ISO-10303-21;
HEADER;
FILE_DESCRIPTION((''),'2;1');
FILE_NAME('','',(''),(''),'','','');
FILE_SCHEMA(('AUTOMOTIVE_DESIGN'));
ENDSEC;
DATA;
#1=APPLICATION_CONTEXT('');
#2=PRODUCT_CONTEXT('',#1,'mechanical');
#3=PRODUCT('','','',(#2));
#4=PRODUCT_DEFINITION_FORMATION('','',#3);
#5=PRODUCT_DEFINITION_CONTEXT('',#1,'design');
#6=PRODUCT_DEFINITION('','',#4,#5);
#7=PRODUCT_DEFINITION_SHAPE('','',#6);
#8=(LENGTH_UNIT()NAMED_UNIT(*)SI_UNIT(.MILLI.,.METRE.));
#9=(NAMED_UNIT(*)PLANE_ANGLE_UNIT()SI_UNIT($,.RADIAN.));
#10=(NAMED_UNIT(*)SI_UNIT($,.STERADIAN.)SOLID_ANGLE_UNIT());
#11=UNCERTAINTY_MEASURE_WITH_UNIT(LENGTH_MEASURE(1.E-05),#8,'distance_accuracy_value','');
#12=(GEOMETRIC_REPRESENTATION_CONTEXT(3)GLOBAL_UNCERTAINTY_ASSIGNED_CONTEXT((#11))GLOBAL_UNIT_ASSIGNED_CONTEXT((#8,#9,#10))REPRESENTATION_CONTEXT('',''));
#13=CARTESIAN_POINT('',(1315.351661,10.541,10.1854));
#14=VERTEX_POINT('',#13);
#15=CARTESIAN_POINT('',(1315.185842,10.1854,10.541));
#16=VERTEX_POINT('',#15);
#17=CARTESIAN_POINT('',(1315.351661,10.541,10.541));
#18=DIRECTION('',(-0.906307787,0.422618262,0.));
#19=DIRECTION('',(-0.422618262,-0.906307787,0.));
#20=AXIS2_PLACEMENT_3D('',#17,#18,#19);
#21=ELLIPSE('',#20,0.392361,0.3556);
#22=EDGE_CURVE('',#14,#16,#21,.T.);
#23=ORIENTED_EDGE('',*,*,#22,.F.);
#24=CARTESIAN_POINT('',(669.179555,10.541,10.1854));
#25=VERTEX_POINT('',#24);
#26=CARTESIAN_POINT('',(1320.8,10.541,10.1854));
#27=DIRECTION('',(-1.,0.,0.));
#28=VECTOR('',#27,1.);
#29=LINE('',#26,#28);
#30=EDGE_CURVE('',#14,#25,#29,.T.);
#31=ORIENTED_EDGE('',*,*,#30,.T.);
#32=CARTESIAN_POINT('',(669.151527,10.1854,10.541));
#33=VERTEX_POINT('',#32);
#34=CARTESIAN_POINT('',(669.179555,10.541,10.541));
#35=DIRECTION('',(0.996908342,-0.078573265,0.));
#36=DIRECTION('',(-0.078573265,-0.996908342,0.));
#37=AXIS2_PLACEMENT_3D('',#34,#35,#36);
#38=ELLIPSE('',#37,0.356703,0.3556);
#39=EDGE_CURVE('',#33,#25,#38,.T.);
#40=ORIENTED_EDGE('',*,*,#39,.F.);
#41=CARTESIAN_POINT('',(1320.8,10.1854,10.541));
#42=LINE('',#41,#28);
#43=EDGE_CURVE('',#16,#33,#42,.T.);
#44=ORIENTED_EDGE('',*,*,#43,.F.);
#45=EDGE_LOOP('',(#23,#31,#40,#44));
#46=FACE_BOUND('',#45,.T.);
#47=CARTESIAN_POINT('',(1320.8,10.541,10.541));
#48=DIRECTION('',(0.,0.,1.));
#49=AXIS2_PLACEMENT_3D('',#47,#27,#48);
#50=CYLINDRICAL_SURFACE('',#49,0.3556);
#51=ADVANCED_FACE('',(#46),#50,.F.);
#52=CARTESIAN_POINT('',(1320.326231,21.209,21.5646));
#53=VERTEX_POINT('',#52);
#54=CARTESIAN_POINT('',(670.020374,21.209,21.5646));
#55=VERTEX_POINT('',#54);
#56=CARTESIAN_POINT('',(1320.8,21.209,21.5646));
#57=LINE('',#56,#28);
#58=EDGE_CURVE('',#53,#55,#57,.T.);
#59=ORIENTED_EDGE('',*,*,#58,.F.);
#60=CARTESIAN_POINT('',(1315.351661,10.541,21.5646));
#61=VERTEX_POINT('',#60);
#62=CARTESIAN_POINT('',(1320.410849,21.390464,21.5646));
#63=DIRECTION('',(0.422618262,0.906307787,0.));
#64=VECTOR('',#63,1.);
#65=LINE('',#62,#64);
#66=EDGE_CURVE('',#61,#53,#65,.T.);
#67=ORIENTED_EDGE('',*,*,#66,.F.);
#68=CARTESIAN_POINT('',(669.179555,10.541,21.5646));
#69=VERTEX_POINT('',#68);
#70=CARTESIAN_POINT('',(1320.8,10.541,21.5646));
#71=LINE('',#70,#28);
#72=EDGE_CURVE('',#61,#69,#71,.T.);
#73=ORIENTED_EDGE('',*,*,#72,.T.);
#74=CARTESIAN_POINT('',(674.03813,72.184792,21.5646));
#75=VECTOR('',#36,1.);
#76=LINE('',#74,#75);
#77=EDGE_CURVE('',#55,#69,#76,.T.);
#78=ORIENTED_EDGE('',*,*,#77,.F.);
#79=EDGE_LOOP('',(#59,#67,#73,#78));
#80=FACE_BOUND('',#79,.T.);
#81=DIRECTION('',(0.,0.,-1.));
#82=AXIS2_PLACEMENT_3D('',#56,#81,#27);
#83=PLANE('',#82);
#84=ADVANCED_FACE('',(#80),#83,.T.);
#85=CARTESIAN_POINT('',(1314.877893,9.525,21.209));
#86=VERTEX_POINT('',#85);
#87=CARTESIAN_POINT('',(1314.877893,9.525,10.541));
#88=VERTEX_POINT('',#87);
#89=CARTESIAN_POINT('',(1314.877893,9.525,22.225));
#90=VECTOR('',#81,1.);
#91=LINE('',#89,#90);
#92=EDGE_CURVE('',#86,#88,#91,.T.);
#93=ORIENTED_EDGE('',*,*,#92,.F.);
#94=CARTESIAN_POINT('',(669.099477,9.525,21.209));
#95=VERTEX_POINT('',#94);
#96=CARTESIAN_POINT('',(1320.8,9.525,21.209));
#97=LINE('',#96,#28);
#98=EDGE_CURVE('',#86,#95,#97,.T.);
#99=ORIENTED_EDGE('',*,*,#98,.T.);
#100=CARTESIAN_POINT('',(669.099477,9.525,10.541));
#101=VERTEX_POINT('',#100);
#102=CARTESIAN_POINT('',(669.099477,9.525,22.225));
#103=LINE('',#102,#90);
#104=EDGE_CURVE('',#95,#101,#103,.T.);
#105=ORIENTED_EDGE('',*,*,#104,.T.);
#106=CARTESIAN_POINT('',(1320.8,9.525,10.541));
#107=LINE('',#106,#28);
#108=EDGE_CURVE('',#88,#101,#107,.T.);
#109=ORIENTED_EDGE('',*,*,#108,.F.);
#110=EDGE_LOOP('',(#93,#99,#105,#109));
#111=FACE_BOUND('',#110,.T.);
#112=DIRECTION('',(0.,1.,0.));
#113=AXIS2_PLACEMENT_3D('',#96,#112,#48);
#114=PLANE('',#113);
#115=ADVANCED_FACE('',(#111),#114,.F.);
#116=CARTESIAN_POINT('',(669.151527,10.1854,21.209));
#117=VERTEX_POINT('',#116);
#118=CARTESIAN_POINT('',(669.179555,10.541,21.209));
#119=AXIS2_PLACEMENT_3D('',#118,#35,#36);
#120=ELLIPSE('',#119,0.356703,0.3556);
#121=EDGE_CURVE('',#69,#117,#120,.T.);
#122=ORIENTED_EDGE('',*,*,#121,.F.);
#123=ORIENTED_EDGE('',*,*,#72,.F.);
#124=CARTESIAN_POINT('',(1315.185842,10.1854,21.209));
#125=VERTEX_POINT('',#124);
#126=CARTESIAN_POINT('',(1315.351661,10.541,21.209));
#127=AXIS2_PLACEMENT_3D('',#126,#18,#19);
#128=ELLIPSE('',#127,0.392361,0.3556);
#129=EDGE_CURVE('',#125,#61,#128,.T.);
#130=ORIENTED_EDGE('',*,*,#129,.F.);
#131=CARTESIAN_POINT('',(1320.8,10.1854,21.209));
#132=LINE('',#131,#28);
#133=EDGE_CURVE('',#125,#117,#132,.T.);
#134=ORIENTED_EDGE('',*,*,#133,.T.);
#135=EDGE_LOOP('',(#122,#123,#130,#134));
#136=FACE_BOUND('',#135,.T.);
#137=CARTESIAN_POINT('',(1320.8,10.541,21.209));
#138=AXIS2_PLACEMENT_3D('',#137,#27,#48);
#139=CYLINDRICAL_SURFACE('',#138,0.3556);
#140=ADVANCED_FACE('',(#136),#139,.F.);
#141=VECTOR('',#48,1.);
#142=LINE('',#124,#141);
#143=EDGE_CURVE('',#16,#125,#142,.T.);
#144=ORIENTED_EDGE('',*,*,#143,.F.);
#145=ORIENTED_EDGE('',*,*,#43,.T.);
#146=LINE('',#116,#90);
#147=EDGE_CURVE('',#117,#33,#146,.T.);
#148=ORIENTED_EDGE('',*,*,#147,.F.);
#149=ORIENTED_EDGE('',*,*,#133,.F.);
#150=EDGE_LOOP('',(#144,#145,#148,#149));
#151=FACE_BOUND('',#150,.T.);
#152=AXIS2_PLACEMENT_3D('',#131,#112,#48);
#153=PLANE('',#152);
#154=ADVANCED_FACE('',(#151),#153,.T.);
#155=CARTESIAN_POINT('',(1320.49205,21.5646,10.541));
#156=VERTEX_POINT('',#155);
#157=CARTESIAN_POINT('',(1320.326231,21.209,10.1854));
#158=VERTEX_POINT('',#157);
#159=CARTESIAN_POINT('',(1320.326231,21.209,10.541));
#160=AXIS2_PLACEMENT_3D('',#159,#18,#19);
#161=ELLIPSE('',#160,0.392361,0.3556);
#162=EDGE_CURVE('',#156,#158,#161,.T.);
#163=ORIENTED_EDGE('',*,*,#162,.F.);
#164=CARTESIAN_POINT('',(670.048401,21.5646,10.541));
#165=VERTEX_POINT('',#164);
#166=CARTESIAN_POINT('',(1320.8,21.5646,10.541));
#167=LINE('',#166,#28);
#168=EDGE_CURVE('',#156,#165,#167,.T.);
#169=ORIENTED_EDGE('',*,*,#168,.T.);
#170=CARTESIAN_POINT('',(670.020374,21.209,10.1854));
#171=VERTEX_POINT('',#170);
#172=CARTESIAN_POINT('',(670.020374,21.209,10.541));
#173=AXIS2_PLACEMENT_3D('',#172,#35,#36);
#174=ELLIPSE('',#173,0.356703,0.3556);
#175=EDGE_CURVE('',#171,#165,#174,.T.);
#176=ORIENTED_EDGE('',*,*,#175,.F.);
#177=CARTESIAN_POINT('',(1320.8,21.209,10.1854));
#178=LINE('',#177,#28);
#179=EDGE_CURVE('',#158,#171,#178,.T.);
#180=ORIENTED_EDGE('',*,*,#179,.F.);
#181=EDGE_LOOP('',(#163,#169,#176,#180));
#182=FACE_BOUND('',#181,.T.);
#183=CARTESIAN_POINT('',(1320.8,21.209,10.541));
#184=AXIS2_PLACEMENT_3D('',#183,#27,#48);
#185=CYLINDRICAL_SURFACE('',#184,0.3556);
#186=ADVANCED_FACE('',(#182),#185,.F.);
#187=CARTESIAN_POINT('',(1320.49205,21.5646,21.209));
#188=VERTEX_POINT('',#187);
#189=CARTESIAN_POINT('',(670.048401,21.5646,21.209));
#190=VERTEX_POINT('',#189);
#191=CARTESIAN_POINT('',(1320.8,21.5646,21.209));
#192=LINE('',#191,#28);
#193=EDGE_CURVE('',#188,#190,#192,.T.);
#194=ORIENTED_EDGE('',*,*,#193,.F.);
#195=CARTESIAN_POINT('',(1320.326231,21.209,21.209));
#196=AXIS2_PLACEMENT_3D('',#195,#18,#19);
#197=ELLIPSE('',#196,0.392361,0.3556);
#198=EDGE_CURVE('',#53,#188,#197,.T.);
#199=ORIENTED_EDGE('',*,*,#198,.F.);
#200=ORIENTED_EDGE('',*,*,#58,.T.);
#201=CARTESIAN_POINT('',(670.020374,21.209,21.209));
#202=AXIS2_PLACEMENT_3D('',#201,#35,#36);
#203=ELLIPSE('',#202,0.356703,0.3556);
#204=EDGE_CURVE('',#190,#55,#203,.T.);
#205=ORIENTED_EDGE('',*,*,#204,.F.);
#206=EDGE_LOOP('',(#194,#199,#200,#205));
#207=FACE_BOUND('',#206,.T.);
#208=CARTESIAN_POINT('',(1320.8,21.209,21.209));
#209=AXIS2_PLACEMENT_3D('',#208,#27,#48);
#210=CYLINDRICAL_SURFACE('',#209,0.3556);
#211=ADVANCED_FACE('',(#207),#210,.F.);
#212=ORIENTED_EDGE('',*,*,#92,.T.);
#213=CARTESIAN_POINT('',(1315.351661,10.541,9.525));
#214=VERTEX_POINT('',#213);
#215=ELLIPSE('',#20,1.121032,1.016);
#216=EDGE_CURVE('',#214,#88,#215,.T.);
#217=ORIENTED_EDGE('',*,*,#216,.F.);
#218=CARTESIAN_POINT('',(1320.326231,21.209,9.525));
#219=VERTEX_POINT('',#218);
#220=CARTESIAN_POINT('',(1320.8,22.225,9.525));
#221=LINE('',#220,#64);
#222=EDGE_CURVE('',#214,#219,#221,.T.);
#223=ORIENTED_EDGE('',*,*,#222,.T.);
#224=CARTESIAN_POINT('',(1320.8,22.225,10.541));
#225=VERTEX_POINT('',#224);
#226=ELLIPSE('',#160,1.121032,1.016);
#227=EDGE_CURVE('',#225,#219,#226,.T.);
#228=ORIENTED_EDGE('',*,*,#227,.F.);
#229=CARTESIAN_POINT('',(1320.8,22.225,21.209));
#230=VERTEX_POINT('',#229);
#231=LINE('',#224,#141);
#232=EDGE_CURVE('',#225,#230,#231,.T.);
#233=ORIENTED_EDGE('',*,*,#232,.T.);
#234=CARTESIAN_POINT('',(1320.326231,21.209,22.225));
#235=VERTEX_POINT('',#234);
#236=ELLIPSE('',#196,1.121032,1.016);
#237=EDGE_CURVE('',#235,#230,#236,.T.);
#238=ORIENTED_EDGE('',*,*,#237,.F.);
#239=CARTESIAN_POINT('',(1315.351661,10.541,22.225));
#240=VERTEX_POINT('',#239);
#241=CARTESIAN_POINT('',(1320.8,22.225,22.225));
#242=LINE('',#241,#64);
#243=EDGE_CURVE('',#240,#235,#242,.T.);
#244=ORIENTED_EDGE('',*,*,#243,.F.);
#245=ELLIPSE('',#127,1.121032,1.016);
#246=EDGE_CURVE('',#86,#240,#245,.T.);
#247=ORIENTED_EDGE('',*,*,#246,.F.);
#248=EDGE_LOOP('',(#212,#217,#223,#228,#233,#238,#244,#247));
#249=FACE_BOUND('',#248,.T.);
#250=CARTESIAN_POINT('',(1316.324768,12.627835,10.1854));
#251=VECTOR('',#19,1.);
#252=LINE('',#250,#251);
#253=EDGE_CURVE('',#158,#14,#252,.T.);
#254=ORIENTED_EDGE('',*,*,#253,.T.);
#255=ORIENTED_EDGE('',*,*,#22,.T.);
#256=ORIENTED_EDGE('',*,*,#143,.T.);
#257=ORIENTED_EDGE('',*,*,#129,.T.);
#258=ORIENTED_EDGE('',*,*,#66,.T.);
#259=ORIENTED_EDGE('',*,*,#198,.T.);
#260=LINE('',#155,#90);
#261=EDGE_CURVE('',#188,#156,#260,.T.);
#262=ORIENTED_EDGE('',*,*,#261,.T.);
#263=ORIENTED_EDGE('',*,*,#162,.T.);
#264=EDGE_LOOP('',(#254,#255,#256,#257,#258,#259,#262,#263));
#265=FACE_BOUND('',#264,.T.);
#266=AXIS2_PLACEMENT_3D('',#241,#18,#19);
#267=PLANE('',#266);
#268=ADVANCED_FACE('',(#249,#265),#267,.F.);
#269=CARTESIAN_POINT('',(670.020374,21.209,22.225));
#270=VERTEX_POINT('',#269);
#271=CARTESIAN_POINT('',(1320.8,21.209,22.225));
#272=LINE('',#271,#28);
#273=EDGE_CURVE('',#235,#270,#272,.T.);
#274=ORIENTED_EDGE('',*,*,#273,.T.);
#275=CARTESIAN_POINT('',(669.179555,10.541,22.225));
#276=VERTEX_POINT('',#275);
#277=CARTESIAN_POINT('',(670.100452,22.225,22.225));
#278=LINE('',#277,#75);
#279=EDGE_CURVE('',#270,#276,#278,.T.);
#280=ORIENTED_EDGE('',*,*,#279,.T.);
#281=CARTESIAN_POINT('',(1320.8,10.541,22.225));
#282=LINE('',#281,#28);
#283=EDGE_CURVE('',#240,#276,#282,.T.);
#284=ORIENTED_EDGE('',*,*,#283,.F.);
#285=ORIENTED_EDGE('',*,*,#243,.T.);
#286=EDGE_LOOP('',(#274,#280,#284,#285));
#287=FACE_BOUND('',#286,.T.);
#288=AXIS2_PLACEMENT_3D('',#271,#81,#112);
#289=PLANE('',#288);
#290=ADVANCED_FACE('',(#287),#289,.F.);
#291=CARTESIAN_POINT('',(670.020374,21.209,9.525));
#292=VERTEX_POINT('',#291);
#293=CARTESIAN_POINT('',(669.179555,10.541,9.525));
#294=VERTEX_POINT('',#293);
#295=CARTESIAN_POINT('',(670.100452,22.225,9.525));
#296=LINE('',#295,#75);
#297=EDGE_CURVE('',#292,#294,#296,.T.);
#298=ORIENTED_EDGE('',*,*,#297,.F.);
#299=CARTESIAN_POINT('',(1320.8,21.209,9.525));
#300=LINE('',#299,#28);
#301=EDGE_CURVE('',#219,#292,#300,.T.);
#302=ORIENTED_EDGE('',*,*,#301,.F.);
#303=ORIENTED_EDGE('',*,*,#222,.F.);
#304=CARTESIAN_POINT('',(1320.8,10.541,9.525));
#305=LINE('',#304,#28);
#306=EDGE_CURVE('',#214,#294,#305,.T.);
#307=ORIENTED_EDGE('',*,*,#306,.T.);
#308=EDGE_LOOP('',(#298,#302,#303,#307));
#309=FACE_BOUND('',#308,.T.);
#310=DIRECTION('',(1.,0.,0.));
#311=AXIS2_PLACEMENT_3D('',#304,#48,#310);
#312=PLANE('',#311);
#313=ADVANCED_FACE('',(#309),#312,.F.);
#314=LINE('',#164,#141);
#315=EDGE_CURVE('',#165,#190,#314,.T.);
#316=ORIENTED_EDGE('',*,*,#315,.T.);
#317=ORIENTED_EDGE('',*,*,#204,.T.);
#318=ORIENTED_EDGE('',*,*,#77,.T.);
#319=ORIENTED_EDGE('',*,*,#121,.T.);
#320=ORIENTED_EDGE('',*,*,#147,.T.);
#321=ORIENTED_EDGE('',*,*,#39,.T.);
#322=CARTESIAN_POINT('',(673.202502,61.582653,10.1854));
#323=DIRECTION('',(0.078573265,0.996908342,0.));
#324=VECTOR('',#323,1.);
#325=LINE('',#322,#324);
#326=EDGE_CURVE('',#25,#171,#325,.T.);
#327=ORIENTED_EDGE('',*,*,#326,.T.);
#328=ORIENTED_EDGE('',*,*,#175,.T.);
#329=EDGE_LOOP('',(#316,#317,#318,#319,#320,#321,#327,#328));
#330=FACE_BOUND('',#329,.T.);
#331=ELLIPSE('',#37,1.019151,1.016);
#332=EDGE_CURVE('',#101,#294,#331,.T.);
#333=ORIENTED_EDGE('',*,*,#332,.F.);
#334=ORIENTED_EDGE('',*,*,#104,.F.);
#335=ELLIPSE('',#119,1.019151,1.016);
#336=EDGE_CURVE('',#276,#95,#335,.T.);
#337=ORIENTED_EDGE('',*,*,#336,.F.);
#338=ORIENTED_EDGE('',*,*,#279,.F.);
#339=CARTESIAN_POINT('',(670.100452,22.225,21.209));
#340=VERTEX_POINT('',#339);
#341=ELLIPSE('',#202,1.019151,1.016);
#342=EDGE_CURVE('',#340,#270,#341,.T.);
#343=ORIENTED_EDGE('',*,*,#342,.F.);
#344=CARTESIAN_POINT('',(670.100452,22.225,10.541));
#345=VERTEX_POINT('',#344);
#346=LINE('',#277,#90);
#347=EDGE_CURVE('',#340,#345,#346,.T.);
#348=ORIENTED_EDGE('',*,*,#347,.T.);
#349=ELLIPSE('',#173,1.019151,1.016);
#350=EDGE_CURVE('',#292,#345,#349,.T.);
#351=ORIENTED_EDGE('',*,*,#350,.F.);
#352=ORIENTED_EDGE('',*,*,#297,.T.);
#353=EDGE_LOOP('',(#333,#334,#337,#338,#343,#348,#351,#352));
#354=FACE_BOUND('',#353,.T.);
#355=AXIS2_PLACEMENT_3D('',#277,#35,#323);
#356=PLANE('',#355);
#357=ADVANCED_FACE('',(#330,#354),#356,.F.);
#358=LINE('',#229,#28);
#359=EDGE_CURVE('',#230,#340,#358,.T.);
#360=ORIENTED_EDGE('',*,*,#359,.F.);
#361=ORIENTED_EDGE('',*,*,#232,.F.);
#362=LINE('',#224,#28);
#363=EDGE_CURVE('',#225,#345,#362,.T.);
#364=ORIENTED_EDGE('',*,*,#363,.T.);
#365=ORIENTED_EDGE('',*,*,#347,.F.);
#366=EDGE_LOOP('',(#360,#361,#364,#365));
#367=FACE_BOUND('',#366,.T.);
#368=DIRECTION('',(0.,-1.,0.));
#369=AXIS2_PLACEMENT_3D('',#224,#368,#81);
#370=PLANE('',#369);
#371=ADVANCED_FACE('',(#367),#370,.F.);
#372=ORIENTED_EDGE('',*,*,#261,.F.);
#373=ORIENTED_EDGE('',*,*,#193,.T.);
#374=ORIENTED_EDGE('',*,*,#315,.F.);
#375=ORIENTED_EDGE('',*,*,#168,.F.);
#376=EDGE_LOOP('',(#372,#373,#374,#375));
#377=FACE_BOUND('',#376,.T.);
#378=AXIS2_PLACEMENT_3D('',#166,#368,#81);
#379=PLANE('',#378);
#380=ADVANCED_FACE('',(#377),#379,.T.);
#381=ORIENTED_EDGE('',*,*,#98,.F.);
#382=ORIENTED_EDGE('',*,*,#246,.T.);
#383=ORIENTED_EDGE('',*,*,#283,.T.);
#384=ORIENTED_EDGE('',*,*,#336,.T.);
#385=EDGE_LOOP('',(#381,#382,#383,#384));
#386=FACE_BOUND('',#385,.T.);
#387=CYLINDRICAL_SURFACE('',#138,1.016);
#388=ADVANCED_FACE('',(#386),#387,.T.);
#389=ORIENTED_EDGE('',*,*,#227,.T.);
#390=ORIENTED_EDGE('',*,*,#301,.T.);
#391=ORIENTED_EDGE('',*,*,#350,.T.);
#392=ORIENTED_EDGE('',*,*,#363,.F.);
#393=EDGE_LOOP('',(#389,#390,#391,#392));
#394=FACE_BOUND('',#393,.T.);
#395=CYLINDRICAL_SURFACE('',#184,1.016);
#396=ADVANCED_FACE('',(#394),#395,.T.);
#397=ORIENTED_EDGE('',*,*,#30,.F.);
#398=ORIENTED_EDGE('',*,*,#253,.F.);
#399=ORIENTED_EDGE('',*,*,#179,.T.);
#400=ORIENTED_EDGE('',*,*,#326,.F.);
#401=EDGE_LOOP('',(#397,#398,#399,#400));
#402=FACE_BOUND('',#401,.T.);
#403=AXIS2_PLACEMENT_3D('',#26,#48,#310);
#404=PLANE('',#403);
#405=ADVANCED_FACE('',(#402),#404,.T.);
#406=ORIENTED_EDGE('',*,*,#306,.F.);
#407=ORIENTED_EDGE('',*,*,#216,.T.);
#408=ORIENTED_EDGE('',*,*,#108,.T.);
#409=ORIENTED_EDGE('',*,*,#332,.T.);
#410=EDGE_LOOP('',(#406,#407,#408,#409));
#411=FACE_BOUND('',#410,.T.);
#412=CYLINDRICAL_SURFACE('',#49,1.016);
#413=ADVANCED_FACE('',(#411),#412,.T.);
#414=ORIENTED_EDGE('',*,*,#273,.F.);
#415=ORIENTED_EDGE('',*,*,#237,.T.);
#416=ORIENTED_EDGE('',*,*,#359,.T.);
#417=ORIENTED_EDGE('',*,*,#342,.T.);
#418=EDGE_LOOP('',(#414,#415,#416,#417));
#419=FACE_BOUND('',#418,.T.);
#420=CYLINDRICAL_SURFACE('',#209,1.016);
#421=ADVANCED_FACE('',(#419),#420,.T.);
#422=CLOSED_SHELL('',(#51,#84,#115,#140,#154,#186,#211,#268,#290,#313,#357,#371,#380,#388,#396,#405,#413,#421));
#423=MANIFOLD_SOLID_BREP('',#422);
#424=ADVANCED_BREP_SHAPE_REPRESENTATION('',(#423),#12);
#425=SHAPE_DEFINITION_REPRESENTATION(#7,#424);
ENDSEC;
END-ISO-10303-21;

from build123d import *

# Parameters (mm, degrees)
BOSS_EXTRUDE1_DEPTH = 1320.8
SCALE4_SCALE_X      = 1
SCALE4_SCALE_Y      = 0.4
SCALE4_SCALE_Z      = 0.4
CUT_EXTRUDE1_DEPTH  = 1322.04802369


with BuildPart() as part:
    # Sketch1 → Boss-Extrude1 (new body)
    with BuildSketch(Plane(origin=(0, 0, 0), x_dir=(0, 0, -1), z_dir=(1, 0, 0))):
        with BuildLine():
            Line((0, 2.54), (0, 29.21))
            ThreePointArc((0, 29.21), (-0.743948776, 31.006051224), (-2.54, 31.75))
            Line((-2.54, 31.75), (-29.21, 31.75))
            ThreePointArc((-29.21, 31.75), (-31.006051224, 31.006051224), (-31.75, 29.21))
            Line((-31.75, 29.21), (-31.75, 2.54))
            ThreePointArc((-31.75, 2.54), (-31.006051224, 0.743948776), (-29.21, 0))
            Line((-29.21, 0), (-2.54, 0))
            ThreePointArc((-2.54, 0), (-0.743948776, 0.743948776), (0, 2.54))
        make_face()
        with BuildLine():
            Line((-1.651, 2.54), (-1.651, 29.21))
            ThreePointArc((-1.651, 29.21), (-1.911382072, 29.838617928), (-2.54, 30.099))
            Line((-2.54, 30.099), (-29.21, 30.099))
            ThreePointArc((-29.21, 30.099), (-29.838617928, 29.838617928), (-30.099, 29.21))
            Line((-30.099, 29.21), (-30.099, 2.54))
            ThreePointArc((-30.099, 2.54), (-29.838617928, 1.911382072), (-29.21, 1.651))
            Line((-29.21, 1.651), (-2.54, 1.651))
            ThreePointArc((-2.54, 1.651), (-1.911382072, 1.911382072), (-1.651, 2.54))
        make_face(mode=Mode.SUBTRACT)
    extrude(amount=BOSS_EXTRUDE1_DEPTH)


with BuildPart() as part_1:
    # Scale4: scaled about (660.4, 15.875, 15.875)
    add(part.part.scale((SCALE4_SCALE_X, SCALE4_SCALE_Y, SCALE4_SCALE_Z), about=(660.4, 15.875, 15.875)))

    # Sketch3 → Cut-Extrude1 (cut, through all)
    with BuildSketch(Plane(origin=(0, 0, 9.525), x_dir=(-1, 0, 0), z_dir=(0, 0, -1))):
        Polygon((-1320.8, 22.225), (-1314.877892741, 9.525), (-1320.8, 9.525), align=None)
        Polygon((-670.100451899, 22.225), (-669.099476758, 9.525), (-619.573747082, 9.525), (-619.573747082, 22.225), align=None)
    extrude(amount=-CUT_EXTRUDE1_DEPTH, mode=Mode.SUBTRACT)


with BuildPart() as cut_extrude1_kept_piece:
    # of the separate pieces the step leaves, the one the design keeps (cut_extrude1_pieces_kept)
    add(part_1.part.solids().sort_by_distance((670.020373888, 21.209, 9.525))[0])


solid = cut_extrude1_kept_piece.part
